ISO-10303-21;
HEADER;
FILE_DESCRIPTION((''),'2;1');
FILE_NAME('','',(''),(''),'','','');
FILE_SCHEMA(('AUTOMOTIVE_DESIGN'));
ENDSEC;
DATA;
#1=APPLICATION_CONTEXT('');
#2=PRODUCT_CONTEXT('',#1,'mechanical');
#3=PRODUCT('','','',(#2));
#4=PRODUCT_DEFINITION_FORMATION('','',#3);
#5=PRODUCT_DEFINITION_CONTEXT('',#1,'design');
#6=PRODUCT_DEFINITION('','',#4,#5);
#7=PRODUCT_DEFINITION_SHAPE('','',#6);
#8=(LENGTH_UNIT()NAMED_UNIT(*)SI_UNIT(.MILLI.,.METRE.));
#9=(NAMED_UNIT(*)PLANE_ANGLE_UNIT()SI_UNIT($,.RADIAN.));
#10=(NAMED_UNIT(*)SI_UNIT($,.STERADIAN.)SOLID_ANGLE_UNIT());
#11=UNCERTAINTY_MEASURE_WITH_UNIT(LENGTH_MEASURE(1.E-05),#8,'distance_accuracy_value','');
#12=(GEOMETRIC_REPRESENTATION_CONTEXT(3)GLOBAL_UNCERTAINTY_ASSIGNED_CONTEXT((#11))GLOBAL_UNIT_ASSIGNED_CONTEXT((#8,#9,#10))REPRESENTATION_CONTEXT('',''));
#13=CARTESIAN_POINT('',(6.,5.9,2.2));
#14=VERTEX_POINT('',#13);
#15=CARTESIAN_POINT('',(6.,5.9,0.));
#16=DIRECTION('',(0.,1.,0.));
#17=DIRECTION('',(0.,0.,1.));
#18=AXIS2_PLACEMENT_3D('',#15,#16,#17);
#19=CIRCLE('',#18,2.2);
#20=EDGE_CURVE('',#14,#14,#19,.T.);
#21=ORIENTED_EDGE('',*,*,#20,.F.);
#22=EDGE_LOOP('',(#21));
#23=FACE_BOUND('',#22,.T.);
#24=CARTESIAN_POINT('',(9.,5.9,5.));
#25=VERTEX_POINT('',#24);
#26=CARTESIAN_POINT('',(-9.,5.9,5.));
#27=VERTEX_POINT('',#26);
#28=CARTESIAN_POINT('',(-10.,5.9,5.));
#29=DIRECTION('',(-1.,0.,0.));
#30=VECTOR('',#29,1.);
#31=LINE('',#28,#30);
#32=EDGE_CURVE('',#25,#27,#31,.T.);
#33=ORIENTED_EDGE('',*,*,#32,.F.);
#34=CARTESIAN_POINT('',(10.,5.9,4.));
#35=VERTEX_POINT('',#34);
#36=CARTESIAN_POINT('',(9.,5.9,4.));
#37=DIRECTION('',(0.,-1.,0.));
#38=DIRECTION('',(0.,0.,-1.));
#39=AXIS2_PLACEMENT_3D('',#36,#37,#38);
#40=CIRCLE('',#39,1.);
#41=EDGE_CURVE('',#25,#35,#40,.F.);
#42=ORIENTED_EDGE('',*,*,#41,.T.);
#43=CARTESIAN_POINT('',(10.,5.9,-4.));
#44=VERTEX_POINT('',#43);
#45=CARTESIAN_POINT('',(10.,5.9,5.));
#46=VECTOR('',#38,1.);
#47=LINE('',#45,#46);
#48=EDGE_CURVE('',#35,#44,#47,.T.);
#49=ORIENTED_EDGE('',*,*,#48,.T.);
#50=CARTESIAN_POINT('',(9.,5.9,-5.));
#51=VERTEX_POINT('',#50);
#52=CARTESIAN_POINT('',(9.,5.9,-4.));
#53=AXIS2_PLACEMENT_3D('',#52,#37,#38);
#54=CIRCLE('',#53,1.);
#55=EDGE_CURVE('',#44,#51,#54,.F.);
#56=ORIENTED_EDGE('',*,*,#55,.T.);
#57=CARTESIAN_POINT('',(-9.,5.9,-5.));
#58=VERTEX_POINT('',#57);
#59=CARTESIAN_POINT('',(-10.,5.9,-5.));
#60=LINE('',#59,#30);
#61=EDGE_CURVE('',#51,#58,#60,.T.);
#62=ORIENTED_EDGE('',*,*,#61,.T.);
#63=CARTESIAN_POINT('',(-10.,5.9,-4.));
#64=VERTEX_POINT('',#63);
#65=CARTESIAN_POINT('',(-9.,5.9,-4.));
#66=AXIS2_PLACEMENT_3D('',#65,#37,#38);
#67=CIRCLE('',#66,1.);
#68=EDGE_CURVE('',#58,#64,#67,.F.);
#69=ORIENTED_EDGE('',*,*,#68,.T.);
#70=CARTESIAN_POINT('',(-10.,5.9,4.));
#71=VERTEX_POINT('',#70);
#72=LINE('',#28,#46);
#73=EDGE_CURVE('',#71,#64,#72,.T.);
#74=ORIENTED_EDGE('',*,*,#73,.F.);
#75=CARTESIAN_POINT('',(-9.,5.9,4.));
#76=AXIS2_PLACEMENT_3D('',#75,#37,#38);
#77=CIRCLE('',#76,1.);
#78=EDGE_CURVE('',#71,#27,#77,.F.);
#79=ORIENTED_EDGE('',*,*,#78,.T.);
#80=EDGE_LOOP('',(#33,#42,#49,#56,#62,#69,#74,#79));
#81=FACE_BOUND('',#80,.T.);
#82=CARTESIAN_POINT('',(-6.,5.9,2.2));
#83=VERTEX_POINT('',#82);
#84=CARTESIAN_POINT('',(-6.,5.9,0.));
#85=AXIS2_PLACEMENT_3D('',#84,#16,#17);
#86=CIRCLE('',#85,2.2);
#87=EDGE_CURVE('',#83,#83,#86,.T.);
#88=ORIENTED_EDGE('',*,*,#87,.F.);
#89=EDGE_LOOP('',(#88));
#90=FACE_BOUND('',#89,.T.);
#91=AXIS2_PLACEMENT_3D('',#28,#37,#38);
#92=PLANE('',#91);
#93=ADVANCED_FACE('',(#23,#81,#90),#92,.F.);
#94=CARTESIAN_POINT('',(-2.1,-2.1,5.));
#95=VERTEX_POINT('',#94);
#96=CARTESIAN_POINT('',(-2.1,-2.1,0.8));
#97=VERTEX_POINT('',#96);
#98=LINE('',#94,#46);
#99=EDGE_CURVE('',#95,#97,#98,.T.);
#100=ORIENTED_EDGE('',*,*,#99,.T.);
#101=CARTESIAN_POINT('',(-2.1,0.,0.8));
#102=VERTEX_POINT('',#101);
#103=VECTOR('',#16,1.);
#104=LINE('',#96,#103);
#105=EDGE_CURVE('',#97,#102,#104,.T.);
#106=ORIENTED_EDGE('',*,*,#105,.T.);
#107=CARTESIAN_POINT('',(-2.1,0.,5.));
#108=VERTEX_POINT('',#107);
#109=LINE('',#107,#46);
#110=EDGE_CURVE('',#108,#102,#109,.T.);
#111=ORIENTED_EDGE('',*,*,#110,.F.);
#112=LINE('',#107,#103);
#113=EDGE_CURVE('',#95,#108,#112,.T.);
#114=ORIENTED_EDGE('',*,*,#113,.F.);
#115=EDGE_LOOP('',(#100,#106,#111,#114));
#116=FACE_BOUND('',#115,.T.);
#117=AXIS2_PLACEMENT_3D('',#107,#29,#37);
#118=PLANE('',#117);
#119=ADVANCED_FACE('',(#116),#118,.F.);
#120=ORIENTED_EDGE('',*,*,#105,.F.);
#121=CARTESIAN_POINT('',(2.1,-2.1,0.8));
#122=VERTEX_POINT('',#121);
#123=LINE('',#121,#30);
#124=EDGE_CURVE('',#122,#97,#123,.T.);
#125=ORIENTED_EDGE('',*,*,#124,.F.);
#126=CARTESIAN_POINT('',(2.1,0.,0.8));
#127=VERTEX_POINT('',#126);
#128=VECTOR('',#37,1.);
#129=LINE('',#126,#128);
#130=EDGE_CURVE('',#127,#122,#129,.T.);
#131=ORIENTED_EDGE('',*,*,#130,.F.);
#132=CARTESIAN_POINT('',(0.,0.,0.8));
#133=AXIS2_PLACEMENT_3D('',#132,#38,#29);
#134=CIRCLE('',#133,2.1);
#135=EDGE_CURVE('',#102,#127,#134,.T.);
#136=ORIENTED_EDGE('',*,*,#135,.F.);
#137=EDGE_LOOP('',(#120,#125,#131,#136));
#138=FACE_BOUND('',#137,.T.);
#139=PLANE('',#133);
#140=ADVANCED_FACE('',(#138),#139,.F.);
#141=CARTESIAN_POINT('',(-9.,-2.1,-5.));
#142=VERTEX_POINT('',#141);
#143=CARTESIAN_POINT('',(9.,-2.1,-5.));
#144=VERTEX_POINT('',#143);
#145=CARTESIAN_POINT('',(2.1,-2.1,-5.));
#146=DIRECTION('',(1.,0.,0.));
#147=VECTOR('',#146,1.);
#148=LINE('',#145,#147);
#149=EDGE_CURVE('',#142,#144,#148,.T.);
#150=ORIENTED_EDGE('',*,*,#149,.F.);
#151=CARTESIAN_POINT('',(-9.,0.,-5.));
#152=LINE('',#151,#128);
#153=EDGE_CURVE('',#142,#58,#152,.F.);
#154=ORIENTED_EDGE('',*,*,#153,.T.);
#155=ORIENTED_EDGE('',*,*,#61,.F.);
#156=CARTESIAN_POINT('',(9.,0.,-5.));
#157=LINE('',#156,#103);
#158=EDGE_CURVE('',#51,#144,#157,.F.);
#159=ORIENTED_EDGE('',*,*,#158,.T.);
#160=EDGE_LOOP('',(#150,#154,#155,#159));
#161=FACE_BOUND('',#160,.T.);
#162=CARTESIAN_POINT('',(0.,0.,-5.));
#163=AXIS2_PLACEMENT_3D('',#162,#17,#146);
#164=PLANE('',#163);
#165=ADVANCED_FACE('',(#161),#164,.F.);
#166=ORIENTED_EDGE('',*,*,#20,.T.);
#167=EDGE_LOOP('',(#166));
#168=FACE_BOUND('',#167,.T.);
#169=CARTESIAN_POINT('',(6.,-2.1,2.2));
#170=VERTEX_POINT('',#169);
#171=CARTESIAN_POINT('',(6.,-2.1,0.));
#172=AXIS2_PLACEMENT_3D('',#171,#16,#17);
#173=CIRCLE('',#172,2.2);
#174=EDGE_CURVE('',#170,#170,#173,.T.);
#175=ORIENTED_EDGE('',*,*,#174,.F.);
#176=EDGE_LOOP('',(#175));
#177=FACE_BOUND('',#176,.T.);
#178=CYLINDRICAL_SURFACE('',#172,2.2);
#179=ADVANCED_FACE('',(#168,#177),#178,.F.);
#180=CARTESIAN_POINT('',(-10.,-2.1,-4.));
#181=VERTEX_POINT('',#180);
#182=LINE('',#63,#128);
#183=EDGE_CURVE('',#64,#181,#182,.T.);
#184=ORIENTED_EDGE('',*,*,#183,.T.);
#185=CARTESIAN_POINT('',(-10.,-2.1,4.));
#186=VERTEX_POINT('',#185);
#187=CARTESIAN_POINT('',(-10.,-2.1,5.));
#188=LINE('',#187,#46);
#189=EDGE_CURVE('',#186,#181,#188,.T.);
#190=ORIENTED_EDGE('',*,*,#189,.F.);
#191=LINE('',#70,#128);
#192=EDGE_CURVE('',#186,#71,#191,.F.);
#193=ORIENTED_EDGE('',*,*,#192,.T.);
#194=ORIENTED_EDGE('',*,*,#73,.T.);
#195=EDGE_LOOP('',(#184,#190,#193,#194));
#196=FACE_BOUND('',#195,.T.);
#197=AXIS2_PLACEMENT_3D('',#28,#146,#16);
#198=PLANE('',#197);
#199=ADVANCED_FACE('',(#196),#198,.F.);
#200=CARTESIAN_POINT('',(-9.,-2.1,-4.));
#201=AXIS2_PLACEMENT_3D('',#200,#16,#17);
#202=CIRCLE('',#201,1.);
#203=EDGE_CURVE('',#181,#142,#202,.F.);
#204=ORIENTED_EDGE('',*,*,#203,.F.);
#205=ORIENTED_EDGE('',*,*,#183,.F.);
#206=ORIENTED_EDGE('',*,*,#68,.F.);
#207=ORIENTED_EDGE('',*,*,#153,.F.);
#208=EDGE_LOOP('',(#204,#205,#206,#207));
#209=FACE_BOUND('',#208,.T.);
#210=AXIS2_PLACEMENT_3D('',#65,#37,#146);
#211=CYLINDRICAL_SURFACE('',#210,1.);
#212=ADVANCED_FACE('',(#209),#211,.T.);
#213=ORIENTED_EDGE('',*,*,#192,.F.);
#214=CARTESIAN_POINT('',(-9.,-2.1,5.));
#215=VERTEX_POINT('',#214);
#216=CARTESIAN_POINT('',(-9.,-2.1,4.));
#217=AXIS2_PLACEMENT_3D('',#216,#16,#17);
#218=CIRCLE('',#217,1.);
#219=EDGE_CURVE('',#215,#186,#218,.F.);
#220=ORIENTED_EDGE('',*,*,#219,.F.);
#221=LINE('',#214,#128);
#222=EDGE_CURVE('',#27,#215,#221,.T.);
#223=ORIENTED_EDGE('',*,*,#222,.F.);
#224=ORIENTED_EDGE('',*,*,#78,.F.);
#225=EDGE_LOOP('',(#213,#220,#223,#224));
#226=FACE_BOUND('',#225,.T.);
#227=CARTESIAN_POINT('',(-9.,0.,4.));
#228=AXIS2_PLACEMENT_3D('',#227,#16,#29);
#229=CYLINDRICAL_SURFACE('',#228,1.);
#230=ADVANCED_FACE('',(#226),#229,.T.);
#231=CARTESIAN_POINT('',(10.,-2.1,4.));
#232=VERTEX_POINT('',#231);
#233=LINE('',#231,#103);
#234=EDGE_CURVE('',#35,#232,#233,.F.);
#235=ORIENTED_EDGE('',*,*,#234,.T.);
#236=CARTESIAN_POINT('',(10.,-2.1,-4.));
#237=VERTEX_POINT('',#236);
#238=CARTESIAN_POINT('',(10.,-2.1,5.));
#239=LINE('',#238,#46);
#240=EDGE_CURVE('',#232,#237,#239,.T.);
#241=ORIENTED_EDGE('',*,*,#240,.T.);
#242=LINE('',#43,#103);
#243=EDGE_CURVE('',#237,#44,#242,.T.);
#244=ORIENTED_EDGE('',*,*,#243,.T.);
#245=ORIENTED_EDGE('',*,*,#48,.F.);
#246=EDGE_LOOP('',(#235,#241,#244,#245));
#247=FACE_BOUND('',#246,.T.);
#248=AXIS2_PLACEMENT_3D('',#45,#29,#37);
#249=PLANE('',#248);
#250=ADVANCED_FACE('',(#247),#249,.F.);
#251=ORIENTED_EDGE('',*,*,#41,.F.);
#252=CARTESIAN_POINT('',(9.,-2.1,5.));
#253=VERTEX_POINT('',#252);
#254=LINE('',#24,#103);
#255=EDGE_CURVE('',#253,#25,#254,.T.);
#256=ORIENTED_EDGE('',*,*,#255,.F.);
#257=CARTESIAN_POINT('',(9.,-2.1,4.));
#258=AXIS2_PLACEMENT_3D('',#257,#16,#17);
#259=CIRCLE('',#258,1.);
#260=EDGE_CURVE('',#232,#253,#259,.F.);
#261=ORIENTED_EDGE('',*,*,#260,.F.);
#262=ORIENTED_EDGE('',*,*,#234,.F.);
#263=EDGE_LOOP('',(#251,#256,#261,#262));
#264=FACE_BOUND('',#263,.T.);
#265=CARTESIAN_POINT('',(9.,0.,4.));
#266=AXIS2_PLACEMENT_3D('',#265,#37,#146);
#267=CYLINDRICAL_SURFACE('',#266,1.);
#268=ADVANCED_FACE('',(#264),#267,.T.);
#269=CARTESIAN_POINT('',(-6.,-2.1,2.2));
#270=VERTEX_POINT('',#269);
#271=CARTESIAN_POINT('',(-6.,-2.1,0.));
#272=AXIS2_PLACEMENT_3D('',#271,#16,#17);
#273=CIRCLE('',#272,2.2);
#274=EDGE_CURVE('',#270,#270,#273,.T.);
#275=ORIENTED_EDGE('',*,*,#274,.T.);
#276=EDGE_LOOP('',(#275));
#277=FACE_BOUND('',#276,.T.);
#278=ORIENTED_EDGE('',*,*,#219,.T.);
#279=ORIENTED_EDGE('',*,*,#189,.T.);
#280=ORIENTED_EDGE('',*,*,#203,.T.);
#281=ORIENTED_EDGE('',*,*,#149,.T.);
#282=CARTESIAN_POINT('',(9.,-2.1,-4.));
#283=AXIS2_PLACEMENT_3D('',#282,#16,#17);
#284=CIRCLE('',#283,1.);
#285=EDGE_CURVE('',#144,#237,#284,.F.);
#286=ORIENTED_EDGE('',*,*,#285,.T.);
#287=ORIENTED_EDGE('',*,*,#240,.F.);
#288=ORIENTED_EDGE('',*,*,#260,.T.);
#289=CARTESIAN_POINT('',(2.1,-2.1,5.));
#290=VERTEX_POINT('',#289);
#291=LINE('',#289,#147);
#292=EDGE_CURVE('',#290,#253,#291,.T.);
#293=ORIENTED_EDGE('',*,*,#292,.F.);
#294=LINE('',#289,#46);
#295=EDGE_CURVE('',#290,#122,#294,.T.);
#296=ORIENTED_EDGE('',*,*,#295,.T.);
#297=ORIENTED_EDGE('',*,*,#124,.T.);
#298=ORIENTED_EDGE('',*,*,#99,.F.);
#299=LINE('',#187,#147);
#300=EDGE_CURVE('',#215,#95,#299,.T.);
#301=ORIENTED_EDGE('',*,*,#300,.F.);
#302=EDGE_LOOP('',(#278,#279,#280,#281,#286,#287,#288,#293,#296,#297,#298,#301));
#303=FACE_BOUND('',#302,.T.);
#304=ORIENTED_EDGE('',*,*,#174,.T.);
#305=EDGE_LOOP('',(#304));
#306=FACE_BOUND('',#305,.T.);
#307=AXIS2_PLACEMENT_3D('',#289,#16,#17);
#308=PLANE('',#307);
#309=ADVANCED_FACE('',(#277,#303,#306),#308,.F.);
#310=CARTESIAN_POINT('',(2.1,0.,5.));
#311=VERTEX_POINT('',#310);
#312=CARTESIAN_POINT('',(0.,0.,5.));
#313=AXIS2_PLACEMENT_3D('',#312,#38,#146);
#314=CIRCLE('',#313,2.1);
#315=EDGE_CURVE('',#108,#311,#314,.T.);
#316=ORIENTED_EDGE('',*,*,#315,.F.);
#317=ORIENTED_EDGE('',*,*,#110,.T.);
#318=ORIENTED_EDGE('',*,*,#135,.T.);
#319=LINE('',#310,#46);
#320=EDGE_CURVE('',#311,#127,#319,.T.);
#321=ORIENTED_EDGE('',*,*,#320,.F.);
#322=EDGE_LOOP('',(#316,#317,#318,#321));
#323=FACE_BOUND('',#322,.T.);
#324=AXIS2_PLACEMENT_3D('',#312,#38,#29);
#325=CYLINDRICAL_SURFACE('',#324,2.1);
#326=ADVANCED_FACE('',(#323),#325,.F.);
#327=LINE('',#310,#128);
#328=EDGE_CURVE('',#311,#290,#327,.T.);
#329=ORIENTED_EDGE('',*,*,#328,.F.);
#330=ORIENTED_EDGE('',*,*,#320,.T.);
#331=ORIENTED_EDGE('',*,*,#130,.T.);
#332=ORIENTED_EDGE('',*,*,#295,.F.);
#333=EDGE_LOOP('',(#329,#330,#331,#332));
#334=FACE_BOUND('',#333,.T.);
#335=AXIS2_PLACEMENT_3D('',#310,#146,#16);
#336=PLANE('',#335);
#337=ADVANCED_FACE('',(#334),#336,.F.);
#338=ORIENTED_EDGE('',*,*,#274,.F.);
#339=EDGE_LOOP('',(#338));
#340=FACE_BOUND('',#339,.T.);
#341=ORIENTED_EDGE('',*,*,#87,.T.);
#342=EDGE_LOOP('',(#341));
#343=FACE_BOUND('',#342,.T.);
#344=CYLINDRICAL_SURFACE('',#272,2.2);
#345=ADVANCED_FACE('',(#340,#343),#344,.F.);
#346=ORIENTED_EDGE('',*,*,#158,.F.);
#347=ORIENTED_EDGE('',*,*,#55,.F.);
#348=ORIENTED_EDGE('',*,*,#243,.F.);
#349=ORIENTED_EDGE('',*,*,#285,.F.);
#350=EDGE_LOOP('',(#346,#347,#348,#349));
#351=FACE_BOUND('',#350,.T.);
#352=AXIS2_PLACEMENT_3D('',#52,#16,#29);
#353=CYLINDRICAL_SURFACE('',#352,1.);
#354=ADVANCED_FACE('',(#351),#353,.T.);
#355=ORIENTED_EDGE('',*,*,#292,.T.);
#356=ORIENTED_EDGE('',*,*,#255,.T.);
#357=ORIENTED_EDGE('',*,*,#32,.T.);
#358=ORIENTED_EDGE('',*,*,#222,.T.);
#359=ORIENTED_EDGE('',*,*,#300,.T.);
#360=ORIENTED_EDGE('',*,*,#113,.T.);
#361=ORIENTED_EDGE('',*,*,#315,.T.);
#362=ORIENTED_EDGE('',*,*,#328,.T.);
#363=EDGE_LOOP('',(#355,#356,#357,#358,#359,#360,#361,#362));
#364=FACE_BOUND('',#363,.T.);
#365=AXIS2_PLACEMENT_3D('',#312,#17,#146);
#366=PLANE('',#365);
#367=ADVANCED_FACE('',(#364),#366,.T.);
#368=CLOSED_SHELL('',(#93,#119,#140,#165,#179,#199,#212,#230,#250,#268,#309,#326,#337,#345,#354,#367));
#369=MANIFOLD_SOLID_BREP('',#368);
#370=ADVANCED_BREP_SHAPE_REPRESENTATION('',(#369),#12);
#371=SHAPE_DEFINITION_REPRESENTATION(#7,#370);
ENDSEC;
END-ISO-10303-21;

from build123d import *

# Parameters (mm, degrees)
EXTRUDE_1_DEPTH     = 5
SKETCH_2_R          = 2.2
CUT_EXTRUDE_1_DEPTH = 14.747727085
EXTRUDE_START       = -5.8
EXTRUDE_2_DEPTH     = 5.8
FILLET_1_R          = 1


with BuildPart() as part:
    # 草图1 → 凸台-拉伸1 (new, symmetric)
    with BuildSketch(Plane.XY):
        with BuildLine():
            Line((2.1, -2.1), (10, -2.1))
            Line((10, -2.1), (10, 5.9))
            Line((10, 5.9), (-10, 5.9))
            Line((-10, 5.9), (-10, -2.1))
            Line((-10, -2.1), (-2.1, -2.1))
            Line((-2.1, -2.1), (-2.1, 0))
            ThreePointArc((-2.1, 0), (0, 2.1), (2.1, 0))
            Line((2.1, 0), (2.1, -2.1))
        make_face()
    extrude(amount=EXTRUDE_1_DEPTH, both=True)

    # 草图2 → 切除-拉伸1 (cut, through all)
    with BuildSketch(Plane(origin=(0, 5.9, 0), x_dir=(1, 0, 0), z_dir=(0, 1, 0))):
        with Locations(Location((-6, 0, 0), (0, 0, 270))):
            Circle(SKETCH_2_R)
        with Locations(Location((6, 0, 0), (0, 0, 270))):
            Circle(SKETCH_2_R)
    extrude(amount=-CUT_EXTRUDE_1_DEPTH, mode=Mode.SUBTRACT)

    # 草图3 → 凸台-拉伸2 (add)
    with BuildSketch(Plane(origin=(0, 0, -5), x_dir=(-1, 0, 0), z_dir=(0, 0, -1)).offset(EXTRUDE_START)):
        with BuildLine():
            Line((2.1, -2.1), (2.1, 0))
            ThreePointArc((2.1, 0), (0, 2.1), (-2.1, 0))
            Line((-2.1, 0), (-2.1, -2.1))
            Line((-2.1, -2.1), (2.1, -2.1))
        make_face()
    extrude(amount=EXTRUDE_2_DEPTH)

    # 圆角1
    fillet_1_edges = [part.edges().sort_by_distance(p)[0] for p in [
        (-10, 1.9, -5),
        (10, 1.9, 5),
        (-10, 1.9, 5),
        (10, 1.9, -5),
    ]]
    fillet(fillet_1_edges, radius=FILLET_1_R)


solid = part.part
